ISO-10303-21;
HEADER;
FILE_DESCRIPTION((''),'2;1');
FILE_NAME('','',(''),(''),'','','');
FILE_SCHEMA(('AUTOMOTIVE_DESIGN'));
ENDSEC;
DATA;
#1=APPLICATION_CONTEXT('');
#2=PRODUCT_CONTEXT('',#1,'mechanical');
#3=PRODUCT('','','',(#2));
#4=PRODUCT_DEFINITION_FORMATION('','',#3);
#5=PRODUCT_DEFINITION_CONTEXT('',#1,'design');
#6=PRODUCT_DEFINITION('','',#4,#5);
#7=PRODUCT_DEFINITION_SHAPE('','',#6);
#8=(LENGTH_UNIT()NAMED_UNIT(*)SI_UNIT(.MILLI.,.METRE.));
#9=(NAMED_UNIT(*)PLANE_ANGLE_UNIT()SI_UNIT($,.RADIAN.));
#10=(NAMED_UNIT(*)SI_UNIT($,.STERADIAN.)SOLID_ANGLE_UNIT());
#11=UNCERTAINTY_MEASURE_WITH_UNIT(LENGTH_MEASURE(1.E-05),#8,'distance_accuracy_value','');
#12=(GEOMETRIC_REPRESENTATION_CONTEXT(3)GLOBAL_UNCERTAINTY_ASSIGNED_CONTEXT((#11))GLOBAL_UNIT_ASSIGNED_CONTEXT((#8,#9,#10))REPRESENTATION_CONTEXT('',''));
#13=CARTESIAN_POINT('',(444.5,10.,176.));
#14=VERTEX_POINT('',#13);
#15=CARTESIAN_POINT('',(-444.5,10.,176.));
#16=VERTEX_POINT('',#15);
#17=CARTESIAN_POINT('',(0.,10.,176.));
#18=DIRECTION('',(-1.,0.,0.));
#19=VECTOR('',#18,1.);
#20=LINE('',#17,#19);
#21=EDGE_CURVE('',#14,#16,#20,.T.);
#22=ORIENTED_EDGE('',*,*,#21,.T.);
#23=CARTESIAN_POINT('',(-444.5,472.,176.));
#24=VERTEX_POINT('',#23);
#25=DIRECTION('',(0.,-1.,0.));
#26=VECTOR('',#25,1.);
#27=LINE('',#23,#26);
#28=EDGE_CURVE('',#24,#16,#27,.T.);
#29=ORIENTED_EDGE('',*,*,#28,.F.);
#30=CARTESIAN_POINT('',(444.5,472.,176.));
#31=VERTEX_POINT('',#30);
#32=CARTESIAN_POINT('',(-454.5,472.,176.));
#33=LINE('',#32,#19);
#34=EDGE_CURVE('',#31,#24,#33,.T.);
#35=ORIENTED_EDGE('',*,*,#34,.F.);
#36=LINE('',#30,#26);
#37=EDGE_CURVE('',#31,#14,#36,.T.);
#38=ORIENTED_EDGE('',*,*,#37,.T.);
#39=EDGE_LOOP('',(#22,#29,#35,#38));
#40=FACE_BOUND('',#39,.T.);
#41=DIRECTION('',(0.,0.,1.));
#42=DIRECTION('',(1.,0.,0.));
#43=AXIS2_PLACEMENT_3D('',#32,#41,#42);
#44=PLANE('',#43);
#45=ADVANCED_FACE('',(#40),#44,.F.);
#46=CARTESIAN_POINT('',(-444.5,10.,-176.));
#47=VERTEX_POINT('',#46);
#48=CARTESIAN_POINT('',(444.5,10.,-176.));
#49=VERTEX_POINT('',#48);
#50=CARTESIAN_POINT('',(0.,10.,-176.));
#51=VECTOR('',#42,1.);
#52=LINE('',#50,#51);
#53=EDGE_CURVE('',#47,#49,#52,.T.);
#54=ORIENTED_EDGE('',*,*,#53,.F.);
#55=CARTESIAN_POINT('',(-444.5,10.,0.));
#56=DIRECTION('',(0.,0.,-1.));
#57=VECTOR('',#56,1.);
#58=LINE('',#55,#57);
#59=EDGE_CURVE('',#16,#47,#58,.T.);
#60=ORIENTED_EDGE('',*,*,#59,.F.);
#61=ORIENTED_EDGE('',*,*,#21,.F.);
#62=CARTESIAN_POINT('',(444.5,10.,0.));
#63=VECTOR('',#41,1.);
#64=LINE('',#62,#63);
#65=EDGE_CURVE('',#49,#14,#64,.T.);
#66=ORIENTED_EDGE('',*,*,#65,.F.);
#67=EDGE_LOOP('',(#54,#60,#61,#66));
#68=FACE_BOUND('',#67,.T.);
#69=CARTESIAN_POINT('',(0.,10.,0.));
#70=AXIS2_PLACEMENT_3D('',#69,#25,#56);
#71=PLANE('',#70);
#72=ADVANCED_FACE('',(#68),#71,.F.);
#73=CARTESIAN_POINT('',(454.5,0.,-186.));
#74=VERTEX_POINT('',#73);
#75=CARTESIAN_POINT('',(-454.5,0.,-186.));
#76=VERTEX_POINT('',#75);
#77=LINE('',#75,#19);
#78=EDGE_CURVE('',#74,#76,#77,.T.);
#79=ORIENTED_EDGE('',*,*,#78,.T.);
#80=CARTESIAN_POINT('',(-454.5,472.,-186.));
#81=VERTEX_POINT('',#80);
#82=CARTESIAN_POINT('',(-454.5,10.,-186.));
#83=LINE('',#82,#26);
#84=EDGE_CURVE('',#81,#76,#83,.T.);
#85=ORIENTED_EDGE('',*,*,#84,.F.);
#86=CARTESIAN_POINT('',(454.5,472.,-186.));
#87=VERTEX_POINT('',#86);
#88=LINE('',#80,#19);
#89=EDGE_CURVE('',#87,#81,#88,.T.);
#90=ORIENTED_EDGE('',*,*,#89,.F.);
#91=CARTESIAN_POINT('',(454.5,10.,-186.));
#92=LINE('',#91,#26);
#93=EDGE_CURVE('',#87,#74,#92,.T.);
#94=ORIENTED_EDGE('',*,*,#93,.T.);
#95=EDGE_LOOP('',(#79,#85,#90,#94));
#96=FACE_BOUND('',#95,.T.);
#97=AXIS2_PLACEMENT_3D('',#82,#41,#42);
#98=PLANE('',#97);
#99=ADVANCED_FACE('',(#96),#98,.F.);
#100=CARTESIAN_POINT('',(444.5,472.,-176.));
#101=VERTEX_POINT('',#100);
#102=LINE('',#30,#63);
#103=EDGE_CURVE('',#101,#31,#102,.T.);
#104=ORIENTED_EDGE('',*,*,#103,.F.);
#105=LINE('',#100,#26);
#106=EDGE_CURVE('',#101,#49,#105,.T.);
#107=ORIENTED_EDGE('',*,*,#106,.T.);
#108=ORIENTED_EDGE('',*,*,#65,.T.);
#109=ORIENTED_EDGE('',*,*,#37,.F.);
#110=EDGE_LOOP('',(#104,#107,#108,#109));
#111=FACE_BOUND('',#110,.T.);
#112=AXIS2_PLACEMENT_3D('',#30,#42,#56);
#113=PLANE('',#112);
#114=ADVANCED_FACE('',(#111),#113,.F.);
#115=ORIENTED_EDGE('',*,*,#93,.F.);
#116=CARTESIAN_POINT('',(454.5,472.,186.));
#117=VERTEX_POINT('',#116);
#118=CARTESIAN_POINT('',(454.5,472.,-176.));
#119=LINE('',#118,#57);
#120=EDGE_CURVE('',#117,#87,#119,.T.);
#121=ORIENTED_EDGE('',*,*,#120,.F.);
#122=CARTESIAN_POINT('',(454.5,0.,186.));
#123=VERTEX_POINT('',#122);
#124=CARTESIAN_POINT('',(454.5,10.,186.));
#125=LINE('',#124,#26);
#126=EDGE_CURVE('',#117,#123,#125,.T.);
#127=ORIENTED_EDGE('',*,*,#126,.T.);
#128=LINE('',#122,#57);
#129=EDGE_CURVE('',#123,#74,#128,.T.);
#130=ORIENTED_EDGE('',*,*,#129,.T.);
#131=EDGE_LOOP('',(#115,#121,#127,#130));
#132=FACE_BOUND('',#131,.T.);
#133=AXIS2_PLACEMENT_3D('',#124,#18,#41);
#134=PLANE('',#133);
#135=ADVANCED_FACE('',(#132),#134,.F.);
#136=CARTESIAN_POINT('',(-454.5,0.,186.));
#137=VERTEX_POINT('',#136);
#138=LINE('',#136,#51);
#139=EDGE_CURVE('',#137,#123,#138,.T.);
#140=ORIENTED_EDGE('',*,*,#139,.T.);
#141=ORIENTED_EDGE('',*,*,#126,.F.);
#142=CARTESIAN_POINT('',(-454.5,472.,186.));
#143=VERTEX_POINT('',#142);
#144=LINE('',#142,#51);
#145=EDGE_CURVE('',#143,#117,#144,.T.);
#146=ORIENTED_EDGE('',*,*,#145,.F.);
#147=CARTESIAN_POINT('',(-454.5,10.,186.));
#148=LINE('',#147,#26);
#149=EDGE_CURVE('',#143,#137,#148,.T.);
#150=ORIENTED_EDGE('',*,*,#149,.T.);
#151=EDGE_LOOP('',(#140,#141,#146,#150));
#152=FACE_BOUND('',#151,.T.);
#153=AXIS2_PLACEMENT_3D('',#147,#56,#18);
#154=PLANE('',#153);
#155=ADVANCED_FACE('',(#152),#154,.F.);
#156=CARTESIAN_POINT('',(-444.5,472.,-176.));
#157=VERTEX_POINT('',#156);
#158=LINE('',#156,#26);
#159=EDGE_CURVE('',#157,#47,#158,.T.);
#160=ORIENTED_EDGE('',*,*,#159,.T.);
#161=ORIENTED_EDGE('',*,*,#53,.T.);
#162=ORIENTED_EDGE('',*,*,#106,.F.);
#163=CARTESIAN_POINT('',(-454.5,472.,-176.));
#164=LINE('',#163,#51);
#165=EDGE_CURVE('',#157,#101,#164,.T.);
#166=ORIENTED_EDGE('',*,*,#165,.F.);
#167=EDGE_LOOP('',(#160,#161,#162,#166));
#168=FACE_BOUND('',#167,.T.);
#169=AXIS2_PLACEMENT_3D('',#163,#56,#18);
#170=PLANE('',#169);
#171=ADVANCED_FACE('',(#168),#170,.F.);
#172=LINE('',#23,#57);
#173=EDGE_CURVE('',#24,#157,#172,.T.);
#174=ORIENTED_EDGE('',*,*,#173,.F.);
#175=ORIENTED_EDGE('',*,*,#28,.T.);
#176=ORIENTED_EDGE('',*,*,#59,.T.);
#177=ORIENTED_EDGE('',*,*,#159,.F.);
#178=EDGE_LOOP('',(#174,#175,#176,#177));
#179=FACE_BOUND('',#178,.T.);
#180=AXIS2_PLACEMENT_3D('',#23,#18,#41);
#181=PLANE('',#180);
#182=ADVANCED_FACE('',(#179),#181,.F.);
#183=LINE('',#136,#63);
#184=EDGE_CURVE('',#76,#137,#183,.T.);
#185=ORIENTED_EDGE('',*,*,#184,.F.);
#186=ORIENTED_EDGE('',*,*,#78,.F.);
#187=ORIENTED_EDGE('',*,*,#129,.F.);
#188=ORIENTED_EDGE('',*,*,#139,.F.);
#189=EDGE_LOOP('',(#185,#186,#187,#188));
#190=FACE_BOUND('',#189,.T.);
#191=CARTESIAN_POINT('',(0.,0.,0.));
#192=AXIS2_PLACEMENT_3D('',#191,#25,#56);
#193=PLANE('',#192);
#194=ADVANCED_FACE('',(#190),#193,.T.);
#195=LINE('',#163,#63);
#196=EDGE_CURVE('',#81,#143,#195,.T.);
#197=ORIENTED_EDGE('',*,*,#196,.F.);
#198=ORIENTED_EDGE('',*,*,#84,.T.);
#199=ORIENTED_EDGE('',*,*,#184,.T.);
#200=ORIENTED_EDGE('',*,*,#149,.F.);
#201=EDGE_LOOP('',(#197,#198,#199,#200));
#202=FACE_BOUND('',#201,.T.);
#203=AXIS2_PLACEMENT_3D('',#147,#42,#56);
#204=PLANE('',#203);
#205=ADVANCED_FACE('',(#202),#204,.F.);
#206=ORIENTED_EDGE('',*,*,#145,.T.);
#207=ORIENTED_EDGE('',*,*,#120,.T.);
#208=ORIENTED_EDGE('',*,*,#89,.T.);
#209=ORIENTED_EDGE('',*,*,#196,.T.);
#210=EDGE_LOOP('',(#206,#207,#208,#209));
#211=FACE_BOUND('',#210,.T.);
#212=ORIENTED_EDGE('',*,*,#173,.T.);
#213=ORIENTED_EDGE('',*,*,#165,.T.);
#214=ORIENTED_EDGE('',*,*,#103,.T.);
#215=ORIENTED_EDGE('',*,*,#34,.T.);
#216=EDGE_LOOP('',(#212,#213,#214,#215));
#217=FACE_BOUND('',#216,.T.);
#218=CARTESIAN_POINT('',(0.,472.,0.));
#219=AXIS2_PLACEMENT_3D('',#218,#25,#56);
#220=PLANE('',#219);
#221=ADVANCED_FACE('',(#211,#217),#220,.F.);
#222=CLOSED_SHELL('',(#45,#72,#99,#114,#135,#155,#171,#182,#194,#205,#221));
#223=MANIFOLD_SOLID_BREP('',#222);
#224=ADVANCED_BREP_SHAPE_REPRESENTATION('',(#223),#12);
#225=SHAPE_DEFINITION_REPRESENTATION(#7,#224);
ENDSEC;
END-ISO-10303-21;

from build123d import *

# Parameters (mm, degrees)
SKETCH1_W          = 909
SKETCH1_H          = 372
BOTTOM_PLATE_DEPTH = 10
SKETCH2_W          = 909
SKETCH2_H          = 10
LEFT_WALL_DEPTH    = 472
SKETCH3_W          = 909
SKETCH3_H          = 10
RIGHT_WALL_DEPTH   = 472
SKETCH4_W          = 10
SKETCH4_H          = 352
BACK_WALL_DEPTH    = 472
SKETCH5_W          = 10
SKETCH5_H          = 352
FRONT_WALL_DEPTH   = 472


with BuildPart() as part:
    # Sketch1 → Bottom Plate (new body)
    with BuildSketch(Plane(origin=(0, 0, 0), x_dir=(1, 0, 0), z_dir=(0, 1, 0))):
        Rectangle(SKETCH1_W, SKETCH1_H)
    extrude(amount=BOTTOM_PLATE_DEPTH)

    # Sketch2 → Left Wall (add)
    with BuildSketch(Plane(origin=(0, 0, 0), x_dir=(1, 0, 0), z_dir=(0, 1, 0))):
        with Locations((0, 181)):
            Rectangle(SKETCH2_W, SKETCH2_H)
    extrude(amount=LEFT_WALL_DEPTH)

    # Sketch3 → Right Wall (add)
    with BuildSketch(Plane(origin=(0, 0, 0), x_dir=(1, 0, 0), z_dir=(0, 1, 0))):
        with Locations((0, -181)):
            Rectangle(SKETCH3_W, SKETCH3_H)
    extrude(amount=RIGHT_WALL_DEPTH)

    # Sketch4 → Back Wall (add)
    with BuildSketch(Plane(origin=(0, 0, 0), x_dir=(1, 0, 0), z_dir=(0, 1, 0))):
        with Locations((449.5, 0)):
            Rectangle(SKETCH4_W, SKETCH4_H)
    extrude(amount=BACK_WALL_DEPTH)

    # Sketch5 → Front Wall (add)
    with BuildSketch(Plane(origin=(0, 0, 0), x_dir=(1, 0, 0), z_dir=(0, 1, 0))):
        with Locations((-449.5, 0)):
            Rectangle(SKETCH5_W, SKETCH5_H)
    extrude(amount=FRONT_WALL_DEPTH)


solid = part.part
